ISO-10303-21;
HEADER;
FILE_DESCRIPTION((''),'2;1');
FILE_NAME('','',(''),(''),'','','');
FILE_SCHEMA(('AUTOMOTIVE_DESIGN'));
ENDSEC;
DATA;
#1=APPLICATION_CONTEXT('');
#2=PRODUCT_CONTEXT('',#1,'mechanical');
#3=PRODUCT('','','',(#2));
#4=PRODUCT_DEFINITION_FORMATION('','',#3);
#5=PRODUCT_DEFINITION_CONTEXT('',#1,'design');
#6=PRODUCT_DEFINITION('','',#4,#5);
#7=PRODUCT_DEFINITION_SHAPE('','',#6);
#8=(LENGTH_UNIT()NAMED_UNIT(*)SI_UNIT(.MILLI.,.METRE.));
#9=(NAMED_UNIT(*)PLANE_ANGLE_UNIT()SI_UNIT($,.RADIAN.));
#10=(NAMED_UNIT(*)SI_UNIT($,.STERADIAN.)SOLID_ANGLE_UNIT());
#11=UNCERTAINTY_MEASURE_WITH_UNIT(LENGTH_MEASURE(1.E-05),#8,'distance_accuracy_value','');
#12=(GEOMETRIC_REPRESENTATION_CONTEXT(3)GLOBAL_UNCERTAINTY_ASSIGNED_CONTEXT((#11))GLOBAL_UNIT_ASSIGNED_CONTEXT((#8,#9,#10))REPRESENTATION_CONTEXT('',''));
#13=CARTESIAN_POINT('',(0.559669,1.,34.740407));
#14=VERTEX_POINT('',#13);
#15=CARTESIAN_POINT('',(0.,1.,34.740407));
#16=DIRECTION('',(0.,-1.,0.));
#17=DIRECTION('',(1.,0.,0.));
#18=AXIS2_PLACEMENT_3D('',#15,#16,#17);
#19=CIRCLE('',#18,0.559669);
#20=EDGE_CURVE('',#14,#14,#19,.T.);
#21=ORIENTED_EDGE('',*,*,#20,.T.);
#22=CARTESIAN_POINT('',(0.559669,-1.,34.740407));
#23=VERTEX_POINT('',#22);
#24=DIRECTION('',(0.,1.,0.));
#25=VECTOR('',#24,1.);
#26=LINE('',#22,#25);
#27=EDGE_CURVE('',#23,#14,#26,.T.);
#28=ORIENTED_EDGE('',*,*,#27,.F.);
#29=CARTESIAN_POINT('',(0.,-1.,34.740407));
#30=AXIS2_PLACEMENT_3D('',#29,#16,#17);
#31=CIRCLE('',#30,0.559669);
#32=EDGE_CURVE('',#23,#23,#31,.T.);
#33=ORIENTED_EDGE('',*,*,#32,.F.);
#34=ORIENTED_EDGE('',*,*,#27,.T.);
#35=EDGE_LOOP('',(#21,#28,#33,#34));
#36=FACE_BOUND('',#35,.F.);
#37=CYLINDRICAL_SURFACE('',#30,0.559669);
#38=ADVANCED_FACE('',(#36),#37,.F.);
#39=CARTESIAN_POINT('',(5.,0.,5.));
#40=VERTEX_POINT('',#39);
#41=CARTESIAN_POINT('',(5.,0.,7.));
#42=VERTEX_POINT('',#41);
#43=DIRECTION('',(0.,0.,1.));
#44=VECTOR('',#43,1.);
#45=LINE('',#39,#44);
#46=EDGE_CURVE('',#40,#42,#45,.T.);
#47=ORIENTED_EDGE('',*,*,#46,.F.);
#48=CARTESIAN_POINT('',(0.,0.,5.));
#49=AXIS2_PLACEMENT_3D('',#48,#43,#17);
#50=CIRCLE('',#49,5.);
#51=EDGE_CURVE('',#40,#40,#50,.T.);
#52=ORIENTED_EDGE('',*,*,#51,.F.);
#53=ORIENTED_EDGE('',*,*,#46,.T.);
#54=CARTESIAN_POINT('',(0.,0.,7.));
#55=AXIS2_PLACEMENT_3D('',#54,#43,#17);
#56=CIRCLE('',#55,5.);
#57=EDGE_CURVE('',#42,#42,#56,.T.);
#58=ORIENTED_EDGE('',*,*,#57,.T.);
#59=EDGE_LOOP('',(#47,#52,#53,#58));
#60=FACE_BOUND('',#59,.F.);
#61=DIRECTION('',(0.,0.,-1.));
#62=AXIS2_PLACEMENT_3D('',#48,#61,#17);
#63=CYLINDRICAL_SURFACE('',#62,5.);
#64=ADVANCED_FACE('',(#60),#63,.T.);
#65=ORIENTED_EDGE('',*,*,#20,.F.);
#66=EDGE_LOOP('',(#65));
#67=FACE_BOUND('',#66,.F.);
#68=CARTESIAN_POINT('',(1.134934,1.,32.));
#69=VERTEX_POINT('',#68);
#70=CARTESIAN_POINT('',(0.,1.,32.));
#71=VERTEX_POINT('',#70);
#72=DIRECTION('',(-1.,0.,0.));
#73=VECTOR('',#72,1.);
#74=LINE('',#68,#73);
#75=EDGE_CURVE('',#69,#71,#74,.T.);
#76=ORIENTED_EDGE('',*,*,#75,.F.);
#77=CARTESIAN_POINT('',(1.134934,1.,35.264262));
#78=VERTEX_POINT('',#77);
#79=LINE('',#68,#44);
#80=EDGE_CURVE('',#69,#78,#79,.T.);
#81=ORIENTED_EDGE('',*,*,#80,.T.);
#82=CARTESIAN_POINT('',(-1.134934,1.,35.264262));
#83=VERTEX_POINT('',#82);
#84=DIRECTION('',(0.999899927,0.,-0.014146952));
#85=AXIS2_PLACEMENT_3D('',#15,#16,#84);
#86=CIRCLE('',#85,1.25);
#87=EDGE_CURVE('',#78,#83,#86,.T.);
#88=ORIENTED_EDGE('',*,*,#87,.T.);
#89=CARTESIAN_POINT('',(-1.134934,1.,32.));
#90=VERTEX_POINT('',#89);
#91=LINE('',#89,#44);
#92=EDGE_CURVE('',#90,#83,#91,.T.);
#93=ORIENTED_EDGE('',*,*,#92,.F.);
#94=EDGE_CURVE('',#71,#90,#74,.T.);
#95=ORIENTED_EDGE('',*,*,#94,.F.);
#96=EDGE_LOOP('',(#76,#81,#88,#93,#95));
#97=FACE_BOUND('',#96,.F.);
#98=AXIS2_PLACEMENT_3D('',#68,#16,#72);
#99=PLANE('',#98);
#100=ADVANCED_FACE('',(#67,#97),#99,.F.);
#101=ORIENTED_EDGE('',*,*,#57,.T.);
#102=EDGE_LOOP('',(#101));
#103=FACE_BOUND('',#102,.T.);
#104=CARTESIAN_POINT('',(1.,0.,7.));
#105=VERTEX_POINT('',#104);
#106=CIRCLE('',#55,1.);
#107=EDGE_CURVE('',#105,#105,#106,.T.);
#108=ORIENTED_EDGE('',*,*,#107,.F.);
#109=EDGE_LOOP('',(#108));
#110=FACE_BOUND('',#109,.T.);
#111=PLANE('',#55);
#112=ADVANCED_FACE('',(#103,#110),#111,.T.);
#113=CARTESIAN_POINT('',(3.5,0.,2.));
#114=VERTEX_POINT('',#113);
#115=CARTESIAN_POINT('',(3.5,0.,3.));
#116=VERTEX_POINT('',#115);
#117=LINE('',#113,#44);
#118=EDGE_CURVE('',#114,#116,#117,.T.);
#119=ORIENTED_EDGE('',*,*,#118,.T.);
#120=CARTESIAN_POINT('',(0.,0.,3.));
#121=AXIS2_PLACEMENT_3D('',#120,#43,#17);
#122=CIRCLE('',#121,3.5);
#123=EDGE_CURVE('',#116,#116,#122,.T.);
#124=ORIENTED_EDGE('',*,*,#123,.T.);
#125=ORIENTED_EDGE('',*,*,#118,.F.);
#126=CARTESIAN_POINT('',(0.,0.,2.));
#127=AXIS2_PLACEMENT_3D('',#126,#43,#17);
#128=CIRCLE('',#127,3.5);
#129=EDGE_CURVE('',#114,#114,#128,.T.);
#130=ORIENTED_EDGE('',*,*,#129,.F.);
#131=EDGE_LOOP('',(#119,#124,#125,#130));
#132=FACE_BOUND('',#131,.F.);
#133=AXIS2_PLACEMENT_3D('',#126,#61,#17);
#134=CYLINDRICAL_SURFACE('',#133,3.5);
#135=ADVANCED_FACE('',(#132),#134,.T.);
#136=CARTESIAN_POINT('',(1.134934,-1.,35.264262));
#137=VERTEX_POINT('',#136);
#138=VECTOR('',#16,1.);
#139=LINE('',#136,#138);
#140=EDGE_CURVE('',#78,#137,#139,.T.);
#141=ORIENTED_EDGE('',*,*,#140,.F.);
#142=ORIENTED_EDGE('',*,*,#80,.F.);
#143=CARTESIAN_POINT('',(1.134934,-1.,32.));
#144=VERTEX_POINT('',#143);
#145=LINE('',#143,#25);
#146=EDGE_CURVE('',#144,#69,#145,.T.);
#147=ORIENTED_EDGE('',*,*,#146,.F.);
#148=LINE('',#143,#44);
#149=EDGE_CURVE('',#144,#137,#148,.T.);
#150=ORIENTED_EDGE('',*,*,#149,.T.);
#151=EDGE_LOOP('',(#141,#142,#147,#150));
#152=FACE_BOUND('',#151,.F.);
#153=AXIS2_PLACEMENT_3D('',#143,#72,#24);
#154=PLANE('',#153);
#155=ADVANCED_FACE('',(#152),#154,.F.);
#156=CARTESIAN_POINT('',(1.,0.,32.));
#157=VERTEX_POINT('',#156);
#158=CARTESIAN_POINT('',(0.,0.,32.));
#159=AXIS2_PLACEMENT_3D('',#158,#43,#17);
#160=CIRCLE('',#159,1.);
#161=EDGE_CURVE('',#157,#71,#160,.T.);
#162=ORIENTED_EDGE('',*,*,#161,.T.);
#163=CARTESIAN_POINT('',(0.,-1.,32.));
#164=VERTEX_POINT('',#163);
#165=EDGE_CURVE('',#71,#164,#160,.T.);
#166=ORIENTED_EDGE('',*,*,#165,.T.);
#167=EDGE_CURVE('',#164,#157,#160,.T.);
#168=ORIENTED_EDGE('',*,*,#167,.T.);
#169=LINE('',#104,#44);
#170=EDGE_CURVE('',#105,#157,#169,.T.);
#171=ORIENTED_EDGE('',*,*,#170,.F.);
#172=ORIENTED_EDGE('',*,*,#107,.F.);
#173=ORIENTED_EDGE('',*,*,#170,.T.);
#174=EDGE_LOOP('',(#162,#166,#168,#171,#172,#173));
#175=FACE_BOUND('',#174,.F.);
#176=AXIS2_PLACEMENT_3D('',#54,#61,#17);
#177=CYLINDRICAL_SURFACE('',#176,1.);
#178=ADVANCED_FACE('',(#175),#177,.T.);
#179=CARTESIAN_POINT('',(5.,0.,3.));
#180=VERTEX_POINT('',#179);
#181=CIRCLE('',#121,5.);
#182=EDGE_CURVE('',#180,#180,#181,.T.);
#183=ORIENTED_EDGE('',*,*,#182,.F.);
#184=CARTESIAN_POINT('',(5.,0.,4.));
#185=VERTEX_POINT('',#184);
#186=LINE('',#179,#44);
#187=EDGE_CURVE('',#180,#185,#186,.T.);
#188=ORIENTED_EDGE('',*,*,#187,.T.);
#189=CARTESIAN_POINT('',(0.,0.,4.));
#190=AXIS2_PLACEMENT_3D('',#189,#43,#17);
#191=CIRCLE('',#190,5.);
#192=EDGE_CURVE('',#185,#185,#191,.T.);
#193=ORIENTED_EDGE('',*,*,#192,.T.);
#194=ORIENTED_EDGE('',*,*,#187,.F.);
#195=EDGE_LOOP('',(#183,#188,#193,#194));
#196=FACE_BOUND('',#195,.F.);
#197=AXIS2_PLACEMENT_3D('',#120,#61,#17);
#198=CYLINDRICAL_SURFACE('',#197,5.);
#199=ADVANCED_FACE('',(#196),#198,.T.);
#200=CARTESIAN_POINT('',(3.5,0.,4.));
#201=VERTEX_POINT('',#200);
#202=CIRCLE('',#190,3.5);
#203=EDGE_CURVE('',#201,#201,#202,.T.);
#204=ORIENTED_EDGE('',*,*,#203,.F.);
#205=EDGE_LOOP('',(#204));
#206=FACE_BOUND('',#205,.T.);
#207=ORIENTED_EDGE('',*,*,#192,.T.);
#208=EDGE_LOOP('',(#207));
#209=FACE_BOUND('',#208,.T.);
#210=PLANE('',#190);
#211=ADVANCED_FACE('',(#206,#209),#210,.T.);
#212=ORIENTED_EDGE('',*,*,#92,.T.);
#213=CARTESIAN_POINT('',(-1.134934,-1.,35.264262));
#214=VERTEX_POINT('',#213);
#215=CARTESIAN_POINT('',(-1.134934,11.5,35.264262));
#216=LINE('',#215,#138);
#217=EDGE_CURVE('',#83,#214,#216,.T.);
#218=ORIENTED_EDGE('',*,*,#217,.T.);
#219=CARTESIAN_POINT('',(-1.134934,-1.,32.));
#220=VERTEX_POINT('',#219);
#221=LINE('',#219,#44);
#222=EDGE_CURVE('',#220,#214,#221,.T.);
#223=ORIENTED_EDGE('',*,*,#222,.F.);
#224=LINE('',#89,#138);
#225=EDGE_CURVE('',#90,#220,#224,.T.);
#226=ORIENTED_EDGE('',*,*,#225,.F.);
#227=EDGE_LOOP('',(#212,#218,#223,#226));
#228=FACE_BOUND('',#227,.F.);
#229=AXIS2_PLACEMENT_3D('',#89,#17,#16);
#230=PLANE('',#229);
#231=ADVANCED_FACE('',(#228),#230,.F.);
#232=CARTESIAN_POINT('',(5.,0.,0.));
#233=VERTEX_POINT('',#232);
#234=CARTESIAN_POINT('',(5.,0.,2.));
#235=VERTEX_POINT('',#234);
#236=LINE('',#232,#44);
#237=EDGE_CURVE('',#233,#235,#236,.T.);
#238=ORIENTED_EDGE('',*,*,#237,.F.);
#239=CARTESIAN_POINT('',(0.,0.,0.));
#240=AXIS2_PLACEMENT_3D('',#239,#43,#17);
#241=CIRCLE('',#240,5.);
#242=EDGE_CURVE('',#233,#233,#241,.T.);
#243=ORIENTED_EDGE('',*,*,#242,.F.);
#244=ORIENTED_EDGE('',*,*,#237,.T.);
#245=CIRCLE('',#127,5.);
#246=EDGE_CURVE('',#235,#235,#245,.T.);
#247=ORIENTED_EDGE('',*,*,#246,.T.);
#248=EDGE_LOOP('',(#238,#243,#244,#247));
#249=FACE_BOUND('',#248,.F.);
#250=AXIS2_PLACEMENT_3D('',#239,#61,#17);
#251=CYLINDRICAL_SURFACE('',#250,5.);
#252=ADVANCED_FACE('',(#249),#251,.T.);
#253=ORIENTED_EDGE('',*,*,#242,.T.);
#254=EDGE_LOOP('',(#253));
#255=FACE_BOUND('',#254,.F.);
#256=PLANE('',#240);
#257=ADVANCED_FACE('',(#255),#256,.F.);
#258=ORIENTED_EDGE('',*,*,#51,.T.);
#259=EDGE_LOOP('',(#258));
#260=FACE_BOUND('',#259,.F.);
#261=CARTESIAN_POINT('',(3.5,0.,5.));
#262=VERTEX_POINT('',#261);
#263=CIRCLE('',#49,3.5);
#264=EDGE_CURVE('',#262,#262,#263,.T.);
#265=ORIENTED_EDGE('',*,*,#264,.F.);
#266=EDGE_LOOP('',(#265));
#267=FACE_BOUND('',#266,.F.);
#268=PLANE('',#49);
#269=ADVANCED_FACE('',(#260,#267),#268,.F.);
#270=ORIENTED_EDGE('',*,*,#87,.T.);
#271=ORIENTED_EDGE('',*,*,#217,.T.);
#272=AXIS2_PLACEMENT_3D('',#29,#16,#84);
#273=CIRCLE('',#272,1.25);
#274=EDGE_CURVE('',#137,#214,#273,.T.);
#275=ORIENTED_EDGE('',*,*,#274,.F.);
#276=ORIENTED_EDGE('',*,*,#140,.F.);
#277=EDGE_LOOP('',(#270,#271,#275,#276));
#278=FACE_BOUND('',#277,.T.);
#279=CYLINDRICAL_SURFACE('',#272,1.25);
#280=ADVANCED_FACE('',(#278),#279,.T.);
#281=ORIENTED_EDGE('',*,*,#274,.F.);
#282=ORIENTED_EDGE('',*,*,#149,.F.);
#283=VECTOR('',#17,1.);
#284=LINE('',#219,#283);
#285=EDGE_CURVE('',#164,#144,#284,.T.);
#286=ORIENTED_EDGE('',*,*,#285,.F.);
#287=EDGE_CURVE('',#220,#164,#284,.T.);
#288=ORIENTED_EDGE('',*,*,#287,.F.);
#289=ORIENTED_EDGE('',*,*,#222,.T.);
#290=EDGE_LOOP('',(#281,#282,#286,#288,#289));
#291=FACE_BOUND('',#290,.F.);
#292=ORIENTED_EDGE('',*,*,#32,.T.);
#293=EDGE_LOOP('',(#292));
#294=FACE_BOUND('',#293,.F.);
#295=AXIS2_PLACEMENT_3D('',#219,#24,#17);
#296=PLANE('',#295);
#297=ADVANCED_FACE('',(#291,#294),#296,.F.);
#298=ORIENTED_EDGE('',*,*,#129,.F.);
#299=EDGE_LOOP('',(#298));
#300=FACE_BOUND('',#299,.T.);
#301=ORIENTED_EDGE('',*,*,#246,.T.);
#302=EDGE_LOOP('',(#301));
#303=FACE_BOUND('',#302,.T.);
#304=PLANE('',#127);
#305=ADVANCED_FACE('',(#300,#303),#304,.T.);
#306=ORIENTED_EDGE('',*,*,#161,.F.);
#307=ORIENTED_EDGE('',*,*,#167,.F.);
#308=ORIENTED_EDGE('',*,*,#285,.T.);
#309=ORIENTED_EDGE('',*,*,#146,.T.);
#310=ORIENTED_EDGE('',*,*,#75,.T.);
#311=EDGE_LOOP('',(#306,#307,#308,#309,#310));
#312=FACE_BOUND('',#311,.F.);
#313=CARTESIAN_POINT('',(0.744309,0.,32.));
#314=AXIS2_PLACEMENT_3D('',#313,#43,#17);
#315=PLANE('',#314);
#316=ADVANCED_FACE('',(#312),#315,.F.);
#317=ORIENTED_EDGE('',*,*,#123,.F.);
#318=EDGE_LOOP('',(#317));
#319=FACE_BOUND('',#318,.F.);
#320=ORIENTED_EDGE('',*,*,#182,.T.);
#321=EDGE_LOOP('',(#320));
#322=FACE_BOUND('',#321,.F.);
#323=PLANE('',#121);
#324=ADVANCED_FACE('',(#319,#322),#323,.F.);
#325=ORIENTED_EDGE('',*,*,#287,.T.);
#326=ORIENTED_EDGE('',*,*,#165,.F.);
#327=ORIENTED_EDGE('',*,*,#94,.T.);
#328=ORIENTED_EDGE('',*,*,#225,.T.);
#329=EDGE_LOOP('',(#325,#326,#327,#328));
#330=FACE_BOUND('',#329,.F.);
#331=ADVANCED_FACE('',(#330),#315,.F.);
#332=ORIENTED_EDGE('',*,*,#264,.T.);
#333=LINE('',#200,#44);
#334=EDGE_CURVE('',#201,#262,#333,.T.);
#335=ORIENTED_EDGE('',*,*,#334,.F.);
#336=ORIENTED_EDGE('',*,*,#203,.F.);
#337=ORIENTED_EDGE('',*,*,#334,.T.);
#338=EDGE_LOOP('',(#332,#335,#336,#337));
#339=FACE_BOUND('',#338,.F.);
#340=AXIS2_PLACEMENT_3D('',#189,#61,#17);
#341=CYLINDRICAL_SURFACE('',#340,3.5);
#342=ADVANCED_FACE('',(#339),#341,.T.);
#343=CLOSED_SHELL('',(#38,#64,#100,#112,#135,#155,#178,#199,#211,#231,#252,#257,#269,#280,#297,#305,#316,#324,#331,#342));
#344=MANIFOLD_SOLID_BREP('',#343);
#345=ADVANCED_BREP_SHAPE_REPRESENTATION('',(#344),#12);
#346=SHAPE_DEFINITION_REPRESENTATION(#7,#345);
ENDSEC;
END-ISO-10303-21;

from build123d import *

# Parameters (mm, degrees)
F0_R      = 5
F1_DEPTH  = 2
F2_R      = 3.5
F3_DEPTH  = 1
F4_R      = 5
F4_R_2    = 3.5
F5_DEPTH  = 1
F6_R      = 3.5
F7_DEPTH  = 1
F8_R      = 5
F8_R_2    = 3.5
F9_DEPTH  = 2
F10_R     = 1
F11_DEPTH = 25
F13_DEPTH = 4
F15_DEPTH = 12.5
F16_R     = 0.5596686964
F17_DEPTH = 25


with BuildPart() as f1:
    # F0 (on Top) → F1 (new body)
    with BuildSketch(Plane.XY):
        Circle(F0_R)
    extrude(amount=F1_DEPTH)

    # F2 (on face) → F3 (join)
    with BuildSketch(Plane.XY.offset(2)):
        Circle(F2_R)
    extrude(amount=F3_DEPTH)

    # F4 (on face) → F5 (join)
    with BuildSketch(Plane.XY.offset(3)):
        Circle(F4_R)
        Circle(F4_R_2, mode=Mode.SUBTRACT)
        Circle(F4_R_2)
    extrude(amount=F5_DEPTH)

    # F6 (on face) → F7 (join)
    with BuildSketch(Plane.XY.offset(4)):
        Circle(F6_R)
    extrude(amount=F7_DEPTH)

    # F8 (on face) → F9 (join)
    with BuildSketch(Plane.XY.offset(5)):
        Circle(F8_R)
        Circle(F8_R_2, mode=Mode.SUBTRACT)
        Circle(F8_R_2)
    extrude(amount=F9_DEPTH)

    # F10 (on face) → F11 (join)
    with BuildSketch(Plane.XY.offset(7)):
        Circle(F10_R)
    extrude(amount=F11_DEPTH)

    # F12 (on face) → F13 (join)
    with BuildSketch(Plane.XY.offset(32)):
        with BuildLine():
            Line((1.1349343348, 1), (0, 1))
            ThreePointArc((0, 1), (0.7071067812, 0.7071067812), (1, 0))
            ThreePointArc((1, 0), (0.7071067812, -0.7071067812), (0, -1))
            Line((0, -1), (1.1349343348, -1))
            Line((1.1349343348, -1), (1.1349343348, 1))
        make_face()
        with BuildLine():
            Line((0, 1), (-1.1349343348, 1))
            Line((-1.1349343348, 1), (-1.1349343348, -1))
            Line((-1.1349343348, -1), (0, -1))
            ThreePointArc((0, -1), (-1, 0), (0, 1))
        make_face()
        with BuildLine():
            ThreePointArc((1, 0), (0.7071067812, 0.7071067812), (0, 1))
            ThreePointArc((0, 1), (-1, 0), (0, -1))
            ThreePointArc((0, -1), (0.7071067812, -0.7071067812), (1, 0))
        make_face()
    extrude(amount=F13_DEPTH)

    # F14 (on face) → F15 (intersect, symmetric)
    with BuildSketch(Plane.XZ.offset(1)):
        with BuildLine():
            Line((1.2498749086, 32), (1.2498749086, 34.7227233296))
            ThreePointArc((1.2498749086, 34.7227233296), (1.2227611454, 34.9999357877), (1.1349343348, 35.2642620149))
            Line((1.1349343348, 35.2642620149), (1.1349343348, 32))
            Line((1.1349343348, 32), (0, 32))
            Line((0, 32), (-1.1349343348, 32))
            Line((-1.1349343348, 32), (-11.0570155084, -1.4946558513))
            Line((-11.0570155084, -1.4946558513), (-0.2573039092, -3.1720956322))
            Line((-0.2573039092, -3.1720956322), (14.6179525182, 0.9926037164))
            Line((14.6179525182, 0.9926037164), (6.6368887201, 14.4441844895))
            Line((6.6368887201, 14.4441844895), (1.2498749086, 32))
        make_face()
        with BuildLine():
            Line((1.1349343348, 32), (1.1349343348, 35.2642620149))
            ThreePointArc((1.1349343348, 35.2642620149), (0, 35.9904070199), (-1.1349343348, 35.2642620149))
            Line((-1.1349343348, 35.2642620149), (-1.1349343348, 32))
            Line((-1.1349343348, 32), (0, 32))
            Line((0, 32), (1.1349343348, 32))
        make_face()
    extrude(amount=F15_DEPTH, both=True, mode=Mode.INTERSECT)

    # F16 (on face) → F17 (cut)
    with BuildSketch(Plane.XZ.offset(1)):
        with Locations((0, 34.7404070199)):
            Circle(F16_R)
    extrude(amount=-F17_DEPTH, mode=Mode.SUBTRACT)


solid = f1.part
